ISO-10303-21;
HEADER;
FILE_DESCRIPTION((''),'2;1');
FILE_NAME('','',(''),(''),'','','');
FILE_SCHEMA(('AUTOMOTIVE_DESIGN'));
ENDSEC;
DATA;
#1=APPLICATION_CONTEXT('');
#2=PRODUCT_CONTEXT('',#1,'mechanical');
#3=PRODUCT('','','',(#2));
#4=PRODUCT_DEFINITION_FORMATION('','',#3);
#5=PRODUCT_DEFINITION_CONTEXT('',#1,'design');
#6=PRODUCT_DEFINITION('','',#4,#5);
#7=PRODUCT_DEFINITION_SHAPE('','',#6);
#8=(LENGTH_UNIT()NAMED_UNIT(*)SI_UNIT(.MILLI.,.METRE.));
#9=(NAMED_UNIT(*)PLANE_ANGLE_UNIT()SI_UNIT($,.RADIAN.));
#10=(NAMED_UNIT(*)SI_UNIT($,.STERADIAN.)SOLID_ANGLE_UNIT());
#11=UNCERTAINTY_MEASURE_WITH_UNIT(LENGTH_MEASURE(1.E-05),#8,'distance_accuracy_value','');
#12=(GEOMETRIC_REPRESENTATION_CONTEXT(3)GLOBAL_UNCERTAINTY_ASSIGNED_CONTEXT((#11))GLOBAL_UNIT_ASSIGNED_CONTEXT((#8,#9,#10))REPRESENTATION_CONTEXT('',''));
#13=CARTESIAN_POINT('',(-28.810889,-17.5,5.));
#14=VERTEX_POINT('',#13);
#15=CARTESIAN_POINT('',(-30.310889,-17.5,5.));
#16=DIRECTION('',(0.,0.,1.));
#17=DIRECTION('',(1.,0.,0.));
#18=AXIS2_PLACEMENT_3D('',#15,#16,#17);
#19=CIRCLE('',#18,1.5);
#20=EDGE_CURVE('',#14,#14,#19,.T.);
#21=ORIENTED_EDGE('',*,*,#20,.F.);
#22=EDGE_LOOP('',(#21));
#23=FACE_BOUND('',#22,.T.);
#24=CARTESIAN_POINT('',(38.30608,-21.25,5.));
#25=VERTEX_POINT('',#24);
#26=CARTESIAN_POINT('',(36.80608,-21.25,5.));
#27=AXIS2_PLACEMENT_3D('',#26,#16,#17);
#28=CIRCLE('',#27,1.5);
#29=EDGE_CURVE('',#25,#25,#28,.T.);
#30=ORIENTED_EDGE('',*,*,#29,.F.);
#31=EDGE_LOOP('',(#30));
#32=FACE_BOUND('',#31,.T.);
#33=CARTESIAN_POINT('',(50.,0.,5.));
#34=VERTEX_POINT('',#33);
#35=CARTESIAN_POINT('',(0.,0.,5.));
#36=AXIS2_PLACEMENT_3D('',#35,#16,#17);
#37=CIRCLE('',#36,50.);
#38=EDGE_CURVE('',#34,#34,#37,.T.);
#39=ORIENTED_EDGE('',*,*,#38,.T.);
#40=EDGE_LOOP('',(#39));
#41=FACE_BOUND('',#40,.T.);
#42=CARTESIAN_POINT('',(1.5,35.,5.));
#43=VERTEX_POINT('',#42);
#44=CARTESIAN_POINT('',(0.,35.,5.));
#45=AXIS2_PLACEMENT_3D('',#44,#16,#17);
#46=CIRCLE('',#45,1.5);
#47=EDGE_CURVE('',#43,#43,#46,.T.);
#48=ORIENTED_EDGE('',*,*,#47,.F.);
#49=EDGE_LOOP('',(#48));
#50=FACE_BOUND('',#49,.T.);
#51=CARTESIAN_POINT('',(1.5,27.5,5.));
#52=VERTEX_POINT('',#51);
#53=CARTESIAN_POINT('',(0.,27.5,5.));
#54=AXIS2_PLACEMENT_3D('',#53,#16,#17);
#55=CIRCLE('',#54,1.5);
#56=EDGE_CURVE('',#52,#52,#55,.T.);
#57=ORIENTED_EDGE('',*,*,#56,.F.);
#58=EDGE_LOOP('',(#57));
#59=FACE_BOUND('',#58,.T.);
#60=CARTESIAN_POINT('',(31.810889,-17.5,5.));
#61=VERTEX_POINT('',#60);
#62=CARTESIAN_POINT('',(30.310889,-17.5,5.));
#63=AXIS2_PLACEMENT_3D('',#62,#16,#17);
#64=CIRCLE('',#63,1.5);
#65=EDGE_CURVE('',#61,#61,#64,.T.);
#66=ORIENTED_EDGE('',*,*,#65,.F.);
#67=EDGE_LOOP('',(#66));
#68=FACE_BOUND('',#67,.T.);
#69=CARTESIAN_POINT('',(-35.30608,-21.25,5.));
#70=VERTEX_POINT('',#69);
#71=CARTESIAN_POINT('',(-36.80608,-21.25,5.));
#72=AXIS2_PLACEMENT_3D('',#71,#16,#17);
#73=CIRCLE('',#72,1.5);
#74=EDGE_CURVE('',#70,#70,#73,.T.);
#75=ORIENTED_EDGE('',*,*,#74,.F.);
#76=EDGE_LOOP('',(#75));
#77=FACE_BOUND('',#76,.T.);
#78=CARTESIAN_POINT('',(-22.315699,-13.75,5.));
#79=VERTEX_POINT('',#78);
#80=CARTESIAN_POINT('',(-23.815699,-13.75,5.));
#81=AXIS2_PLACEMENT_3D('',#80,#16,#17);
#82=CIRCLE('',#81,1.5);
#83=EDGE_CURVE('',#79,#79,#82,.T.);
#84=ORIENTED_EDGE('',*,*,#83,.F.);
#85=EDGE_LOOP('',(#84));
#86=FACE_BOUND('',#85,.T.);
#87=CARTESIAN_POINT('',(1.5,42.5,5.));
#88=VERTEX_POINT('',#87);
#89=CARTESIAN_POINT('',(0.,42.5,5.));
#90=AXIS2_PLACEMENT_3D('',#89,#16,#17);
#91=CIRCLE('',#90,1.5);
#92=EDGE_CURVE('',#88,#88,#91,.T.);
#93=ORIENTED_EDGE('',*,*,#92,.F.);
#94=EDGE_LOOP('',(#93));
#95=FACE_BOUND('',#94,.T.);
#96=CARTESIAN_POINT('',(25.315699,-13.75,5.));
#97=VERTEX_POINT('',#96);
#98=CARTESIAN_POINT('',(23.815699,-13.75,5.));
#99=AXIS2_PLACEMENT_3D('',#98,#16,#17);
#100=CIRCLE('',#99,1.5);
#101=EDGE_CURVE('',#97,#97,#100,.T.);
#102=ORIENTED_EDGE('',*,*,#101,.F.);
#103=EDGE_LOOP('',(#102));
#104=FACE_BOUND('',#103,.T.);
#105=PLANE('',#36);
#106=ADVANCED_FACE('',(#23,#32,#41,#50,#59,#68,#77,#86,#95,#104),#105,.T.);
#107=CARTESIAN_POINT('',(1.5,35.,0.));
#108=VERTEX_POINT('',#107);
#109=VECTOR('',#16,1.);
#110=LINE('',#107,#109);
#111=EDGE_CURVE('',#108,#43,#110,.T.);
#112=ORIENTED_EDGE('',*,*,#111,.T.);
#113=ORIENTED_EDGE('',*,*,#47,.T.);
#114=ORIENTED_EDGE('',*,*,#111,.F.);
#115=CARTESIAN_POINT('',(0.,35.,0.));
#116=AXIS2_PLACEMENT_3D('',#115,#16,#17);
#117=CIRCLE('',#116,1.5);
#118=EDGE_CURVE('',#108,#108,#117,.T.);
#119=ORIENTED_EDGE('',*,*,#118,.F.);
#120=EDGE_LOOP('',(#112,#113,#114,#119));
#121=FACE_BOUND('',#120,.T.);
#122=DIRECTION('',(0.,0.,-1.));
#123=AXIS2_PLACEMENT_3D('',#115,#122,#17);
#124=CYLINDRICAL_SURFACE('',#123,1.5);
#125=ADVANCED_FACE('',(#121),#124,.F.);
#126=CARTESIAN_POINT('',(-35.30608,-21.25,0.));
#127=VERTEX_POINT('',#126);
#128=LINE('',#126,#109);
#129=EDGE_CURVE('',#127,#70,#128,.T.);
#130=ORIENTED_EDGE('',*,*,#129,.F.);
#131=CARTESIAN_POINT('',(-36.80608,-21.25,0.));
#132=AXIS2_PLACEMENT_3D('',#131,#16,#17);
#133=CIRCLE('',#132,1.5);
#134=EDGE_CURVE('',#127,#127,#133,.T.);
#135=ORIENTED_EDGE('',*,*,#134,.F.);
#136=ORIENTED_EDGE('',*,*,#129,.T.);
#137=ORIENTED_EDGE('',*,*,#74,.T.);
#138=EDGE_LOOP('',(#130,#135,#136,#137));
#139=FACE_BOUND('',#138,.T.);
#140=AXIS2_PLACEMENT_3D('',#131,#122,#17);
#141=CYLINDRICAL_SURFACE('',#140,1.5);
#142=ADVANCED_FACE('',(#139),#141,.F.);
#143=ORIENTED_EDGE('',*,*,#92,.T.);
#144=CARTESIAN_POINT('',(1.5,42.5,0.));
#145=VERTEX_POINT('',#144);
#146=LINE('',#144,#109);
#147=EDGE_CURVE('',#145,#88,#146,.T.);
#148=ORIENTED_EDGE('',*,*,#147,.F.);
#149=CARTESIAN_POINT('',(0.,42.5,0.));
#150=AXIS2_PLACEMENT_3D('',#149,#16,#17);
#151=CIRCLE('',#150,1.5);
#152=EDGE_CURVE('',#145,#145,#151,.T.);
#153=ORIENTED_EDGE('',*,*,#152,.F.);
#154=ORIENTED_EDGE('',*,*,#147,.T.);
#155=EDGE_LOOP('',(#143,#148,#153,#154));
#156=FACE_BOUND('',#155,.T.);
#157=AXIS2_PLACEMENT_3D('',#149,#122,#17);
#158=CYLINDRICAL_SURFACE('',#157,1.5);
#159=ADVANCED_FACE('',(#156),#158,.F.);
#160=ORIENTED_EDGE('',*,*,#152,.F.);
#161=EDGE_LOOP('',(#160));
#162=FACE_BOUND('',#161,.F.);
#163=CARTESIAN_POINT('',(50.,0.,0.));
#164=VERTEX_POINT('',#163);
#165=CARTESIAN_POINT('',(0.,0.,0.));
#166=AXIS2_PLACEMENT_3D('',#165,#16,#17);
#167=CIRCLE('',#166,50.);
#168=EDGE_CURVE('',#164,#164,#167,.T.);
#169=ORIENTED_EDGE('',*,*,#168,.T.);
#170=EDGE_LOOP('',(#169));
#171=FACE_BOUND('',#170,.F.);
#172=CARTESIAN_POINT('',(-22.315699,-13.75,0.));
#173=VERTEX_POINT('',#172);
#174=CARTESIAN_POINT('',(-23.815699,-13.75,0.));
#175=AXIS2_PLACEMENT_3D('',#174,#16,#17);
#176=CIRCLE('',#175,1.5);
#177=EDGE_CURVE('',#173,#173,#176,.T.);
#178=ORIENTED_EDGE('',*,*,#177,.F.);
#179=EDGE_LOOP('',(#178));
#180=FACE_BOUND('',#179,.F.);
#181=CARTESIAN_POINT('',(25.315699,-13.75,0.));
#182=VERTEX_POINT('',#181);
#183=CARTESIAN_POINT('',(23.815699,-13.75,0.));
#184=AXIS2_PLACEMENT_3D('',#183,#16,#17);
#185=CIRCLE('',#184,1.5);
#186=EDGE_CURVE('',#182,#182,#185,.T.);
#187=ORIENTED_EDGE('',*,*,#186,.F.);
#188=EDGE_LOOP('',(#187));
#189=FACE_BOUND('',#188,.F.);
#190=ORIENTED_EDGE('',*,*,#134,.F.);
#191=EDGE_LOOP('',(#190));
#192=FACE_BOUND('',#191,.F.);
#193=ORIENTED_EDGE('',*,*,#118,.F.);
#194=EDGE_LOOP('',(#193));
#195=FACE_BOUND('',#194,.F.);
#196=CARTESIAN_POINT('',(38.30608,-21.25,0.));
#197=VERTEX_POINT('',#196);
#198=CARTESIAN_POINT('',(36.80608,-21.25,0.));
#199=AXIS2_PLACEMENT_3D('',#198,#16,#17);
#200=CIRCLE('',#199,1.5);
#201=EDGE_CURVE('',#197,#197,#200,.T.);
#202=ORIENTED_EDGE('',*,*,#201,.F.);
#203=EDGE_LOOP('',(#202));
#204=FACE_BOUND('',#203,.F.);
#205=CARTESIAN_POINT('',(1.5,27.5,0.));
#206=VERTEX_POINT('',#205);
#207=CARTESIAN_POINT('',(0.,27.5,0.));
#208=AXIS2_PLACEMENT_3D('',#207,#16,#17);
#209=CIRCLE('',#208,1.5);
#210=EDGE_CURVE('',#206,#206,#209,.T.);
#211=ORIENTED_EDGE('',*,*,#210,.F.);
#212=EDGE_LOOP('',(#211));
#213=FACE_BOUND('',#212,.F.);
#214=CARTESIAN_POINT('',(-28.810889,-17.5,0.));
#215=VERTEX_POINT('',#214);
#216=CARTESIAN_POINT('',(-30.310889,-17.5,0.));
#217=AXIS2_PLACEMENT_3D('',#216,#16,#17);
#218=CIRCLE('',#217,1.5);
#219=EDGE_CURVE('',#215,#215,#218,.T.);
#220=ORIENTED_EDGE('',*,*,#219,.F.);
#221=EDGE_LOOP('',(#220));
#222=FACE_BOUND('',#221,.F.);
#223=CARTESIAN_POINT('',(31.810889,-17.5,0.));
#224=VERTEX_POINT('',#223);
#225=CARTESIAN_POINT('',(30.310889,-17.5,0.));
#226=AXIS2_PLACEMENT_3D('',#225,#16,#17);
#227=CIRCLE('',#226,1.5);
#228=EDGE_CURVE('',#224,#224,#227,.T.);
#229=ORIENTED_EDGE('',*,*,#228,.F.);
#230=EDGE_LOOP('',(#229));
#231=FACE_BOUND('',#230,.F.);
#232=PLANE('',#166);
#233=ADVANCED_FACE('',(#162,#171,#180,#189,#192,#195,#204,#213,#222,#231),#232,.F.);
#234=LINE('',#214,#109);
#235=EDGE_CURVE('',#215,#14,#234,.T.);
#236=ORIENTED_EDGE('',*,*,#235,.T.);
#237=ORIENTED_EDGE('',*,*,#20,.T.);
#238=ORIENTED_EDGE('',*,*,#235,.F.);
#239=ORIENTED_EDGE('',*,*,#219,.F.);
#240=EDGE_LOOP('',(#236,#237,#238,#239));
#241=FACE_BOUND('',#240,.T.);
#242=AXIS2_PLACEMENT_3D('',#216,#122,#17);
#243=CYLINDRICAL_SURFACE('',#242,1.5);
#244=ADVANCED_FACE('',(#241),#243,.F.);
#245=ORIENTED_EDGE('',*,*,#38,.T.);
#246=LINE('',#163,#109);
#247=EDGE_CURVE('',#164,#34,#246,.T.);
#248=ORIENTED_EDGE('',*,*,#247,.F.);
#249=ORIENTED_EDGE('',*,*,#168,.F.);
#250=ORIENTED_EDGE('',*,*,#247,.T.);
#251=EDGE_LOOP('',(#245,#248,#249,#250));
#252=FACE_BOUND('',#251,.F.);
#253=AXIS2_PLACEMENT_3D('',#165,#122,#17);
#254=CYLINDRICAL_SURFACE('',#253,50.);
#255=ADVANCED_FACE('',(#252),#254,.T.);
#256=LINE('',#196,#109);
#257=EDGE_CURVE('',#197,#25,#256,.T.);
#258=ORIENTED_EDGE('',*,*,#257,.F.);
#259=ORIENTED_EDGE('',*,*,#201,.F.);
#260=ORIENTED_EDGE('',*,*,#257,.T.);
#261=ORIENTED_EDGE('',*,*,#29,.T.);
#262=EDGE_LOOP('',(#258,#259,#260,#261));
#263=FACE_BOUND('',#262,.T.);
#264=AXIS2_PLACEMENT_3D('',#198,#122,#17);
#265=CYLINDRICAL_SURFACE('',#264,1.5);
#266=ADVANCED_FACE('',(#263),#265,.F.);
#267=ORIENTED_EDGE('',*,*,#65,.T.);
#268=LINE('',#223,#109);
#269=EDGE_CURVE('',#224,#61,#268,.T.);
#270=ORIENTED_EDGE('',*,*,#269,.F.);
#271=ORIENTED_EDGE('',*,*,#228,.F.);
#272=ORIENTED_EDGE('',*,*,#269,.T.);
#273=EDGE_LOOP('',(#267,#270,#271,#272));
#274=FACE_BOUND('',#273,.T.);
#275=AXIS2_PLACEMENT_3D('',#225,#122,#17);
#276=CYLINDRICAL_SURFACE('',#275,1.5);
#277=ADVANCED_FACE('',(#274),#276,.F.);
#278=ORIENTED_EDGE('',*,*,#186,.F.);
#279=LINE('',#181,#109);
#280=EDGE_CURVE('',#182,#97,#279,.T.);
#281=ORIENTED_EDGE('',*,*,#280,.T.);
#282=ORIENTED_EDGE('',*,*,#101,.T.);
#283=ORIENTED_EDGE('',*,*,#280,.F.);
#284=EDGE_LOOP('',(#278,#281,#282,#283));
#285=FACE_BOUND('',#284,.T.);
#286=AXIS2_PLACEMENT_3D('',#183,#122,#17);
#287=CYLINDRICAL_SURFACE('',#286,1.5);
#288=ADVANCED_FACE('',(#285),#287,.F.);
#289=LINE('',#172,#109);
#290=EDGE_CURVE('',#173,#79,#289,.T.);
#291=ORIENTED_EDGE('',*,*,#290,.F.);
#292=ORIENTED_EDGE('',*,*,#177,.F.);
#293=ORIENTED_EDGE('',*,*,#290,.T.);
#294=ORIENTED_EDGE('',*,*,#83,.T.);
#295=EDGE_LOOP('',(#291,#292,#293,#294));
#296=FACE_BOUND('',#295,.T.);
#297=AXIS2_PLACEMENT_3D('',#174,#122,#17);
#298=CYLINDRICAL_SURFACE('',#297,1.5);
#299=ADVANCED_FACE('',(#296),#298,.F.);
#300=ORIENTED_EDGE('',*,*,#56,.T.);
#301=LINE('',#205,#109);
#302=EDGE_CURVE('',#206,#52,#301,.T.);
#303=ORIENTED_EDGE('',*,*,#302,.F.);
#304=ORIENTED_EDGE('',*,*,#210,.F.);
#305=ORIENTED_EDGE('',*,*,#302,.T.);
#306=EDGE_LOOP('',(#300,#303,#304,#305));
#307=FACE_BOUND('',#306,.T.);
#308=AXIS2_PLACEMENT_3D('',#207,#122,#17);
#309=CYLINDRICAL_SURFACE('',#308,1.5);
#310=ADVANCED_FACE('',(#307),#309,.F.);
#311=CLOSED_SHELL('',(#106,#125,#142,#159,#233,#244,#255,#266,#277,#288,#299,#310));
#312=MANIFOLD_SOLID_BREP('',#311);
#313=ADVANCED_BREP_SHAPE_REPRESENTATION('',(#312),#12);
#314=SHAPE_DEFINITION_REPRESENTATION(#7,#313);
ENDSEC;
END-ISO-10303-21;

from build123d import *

# Parameters (mm, degrees)
F0_R     = 50
F0_R_2   = 1.5
F1_DEPTH = 5


with BuildPart() as f1:
    # F0 (on Top) → F1 (new body)
    with BuildSketch(Plane.XY):
        Circle(F0_R)
        with Locations((-36.80608, -21.25)):
            Circle(F0_R_2, mode=Mode.SUBTRACT)
        with Locations((-30.310889, -17.5)):
            Circle(F0_R_2, mode=Mode.SUBTRACT)
        with Locations((-23.815699, -13.75)):
            Circle(F0_R_2, mode=Mode.SUBTRACT)
        with Locations((23.815699, -13.75)):
            Circle(F0_R_2, mode=Mode.SUBTRACT)
        with Locations((36.80608, -21.25)):
            Circle(F0_R_2, mode=Mode.SUBTRACT)
        with Locations((30.310889, -17.5)):
            Circle(F0_R_2, mode=Mode.SUBTRACT)
        with Locations((0, 27.5)):
            Circle(F0_R_2, mode=Mode.SUBTRACT)
        with Locations((0, 35)):
            Circle(F0_R_2, mode=Mode.SUBTRACT)
        with Locations((0, 42.5)):
            Circle(F0_R_2, mode=Mode.SUBTRACT)
    extrude(amount=F1_DEPTH)


solid = f1.part
